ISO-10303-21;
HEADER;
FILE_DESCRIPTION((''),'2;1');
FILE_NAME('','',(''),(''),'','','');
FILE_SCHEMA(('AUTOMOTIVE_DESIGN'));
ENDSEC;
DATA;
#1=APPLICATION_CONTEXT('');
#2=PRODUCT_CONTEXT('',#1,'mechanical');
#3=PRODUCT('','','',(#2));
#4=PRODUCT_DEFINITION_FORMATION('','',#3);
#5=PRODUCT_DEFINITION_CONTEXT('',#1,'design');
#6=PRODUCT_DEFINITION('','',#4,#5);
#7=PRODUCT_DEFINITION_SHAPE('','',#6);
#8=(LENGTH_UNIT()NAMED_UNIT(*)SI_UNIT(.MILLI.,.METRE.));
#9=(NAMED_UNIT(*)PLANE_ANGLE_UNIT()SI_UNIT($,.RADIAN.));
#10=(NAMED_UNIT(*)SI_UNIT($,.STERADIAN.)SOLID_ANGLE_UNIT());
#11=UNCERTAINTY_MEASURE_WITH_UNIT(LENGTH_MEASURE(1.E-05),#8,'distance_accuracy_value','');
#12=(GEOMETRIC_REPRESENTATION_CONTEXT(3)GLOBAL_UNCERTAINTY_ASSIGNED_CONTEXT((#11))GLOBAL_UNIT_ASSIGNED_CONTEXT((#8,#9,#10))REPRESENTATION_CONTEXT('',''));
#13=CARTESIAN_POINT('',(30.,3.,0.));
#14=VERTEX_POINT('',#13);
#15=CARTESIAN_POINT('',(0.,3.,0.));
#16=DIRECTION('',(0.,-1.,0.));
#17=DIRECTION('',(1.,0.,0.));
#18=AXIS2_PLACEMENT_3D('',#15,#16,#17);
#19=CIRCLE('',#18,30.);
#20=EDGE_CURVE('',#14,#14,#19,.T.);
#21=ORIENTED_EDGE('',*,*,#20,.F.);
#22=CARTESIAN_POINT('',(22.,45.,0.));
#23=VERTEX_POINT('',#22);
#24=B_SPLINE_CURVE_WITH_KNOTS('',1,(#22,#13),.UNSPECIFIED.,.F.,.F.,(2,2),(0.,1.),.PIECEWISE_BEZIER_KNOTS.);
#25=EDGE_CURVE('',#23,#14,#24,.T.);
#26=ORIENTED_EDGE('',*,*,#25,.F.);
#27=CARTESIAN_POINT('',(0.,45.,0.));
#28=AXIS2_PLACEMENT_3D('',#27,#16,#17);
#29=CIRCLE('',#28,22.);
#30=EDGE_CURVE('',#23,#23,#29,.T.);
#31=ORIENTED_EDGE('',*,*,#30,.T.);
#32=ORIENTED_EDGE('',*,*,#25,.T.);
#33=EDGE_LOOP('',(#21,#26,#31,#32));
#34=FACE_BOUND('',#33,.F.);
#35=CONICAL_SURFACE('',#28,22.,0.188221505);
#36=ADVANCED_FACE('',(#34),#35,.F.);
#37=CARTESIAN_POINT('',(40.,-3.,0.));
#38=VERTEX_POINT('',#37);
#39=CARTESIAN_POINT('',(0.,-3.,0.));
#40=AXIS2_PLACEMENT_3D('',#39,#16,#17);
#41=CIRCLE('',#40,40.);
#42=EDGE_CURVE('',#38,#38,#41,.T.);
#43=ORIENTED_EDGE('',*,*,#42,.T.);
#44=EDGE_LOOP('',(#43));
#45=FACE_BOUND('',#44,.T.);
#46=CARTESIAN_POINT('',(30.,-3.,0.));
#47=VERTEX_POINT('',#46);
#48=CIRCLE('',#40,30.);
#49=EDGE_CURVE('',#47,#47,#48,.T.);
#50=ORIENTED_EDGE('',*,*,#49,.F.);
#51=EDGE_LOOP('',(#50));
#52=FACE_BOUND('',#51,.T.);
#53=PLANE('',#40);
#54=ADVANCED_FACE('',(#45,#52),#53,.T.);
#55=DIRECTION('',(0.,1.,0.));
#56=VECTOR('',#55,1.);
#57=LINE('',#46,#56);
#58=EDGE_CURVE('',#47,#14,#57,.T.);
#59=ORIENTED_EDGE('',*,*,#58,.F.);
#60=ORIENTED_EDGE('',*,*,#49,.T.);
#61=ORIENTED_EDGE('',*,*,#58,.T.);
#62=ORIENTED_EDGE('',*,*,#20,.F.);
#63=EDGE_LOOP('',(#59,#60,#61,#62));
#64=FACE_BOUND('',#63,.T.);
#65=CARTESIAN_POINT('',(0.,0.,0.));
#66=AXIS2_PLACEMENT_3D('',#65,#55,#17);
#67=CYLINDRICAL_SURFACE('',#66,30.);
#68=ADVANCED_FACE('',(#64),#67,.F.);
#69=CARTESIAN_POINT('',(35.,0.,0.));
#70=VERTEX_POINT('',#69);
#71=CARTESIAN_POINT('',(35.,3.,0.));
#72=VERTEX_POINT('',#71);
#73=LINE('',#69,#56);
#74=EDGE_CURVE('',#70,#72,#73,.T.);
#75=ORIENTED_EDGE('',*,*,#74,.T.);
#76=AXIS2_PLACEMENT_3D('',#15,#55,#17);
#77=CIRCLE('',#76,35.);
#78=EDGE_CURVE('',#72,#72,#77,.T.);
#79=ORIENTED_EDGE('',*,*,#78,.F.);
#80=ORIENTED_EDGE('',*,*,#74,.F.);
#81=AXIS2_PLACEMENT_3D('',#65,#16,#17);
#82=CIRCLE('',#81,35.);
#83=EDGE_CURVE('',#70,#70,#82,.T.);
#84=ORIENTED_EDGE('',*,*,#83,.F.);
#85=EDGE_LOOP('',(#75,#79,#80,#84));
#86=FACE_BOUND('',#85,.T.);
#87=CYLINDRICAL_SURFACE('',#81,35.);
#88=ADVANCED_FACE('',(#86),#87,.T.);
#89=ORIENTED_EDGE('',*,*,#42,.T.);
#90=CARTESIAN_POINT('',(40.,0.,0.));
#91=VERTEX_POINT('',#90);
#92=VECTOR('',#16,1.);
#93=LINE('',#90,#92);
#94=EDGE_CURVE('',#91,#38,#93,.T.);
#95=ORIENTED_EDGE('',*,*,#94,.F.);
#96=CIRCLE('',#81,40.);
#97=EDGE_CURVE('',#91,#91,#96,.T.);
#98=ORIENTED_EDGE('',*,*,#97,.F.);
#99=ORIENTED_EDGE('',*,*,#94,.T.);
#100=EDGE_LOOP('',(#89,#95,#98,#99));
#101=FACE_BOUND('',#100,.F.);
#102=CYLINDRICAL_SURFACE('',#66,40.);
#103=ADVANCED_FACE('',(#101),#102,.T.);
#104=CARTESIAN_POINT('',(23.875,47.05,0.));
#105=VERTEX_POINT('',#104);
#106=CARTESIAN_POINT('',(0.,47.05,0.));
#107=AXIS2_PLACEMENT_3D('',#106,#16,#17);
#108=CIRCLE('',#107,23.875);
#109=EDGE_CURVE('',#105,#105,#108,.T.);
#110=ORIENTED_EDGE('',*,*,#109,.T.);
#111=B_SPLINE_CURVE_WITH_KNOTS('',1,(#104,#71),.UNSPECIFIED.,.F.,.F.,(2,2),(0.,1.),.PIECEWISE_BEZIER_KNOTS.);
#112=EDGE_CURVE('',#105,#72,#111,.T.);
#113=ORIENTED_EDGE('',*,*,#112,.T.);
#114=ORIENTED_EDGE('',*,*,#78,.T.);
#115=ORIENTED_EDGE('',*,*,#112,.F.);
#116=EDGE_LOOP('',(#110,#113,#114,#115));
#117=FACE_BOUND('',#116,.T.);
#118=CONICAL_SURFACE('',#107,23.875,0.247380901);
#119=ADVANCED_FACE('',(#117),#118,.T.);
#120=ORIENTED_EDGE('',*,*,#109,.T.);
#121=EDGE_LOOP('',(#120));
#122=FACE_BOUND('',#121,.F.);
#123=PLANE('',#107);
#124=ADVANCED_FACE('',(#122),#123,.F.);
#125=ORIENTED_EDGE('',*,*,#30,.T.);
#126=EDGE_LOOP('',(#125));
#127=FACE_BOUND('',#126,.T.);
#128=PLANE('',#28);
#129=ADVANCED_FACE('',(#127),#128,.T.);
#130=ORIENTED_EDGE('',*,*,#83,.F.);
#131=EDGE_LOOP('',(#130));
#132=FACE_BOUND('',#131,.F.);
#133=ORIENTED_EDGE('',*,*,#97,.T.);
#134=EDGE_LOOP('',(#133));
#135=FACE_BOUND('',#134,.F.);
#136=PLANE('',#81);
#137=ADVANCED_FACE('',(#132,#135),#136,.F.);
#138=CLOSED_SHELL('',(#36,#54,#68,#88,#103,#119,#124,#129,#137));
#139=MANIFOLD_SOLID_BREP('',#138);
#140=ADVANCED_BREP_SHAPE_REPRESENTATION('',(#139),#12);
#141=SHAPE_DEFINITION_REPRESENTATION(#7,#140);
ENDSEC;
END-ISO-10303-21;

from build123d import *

# Parameters (mm, degrees)
F0_R     = 40
F0_R_2   = 30
F1_DEPTH = 3
F2_R     = 35
F2_R_2   = 30
F3_DEPTH = 3
F5_R     = 23.875
F6_R     = 35
F9_R     = 22
F10_R    = 30


with BuildPart() as f1:
    # F0 (on Front) → F1 (new body)
    with BuildSketch(Plane.XZ):
        Circle(F0_R)
        Circle(F0_R_2, mode=Mode.SUBTRACT)
    extrude(amount=F1_DEPTH)

    # F2 (on Front) → F3 (join)
    with BuildSketch(Plane.XZ):
        Circle(F2_R)
        Circle(F2_R_2, mode=Mode.SUBTRACT)
    extrude(amount=-F3_DEPTH)

    # F5 (on offset) → F7 section 0
    with BuildSketch(Plane.XZ.offset(-47.05)):
        Circle(F5_R)
    # F6 (on face) → F7 section 1
    with BuildSketch(Plane(origin=(0, 3, 0), x_dir=(-1, 0, 0), z_dir=(0, 1, 0))):
        Circle(F6_R)
    loft()

    # F9 (on offset) → F11 section 0
    with BuildSketch(Plane.XZ.offset(-45)):
        Circle(F9_R)
    # F10 (on face) → F11 section 1
    with BuildSketch(Plane.XZ.offset(-3)):
        Circle(F10_R)
    loft(mode=Mode.SUBTRACT)


solid = f1.part
